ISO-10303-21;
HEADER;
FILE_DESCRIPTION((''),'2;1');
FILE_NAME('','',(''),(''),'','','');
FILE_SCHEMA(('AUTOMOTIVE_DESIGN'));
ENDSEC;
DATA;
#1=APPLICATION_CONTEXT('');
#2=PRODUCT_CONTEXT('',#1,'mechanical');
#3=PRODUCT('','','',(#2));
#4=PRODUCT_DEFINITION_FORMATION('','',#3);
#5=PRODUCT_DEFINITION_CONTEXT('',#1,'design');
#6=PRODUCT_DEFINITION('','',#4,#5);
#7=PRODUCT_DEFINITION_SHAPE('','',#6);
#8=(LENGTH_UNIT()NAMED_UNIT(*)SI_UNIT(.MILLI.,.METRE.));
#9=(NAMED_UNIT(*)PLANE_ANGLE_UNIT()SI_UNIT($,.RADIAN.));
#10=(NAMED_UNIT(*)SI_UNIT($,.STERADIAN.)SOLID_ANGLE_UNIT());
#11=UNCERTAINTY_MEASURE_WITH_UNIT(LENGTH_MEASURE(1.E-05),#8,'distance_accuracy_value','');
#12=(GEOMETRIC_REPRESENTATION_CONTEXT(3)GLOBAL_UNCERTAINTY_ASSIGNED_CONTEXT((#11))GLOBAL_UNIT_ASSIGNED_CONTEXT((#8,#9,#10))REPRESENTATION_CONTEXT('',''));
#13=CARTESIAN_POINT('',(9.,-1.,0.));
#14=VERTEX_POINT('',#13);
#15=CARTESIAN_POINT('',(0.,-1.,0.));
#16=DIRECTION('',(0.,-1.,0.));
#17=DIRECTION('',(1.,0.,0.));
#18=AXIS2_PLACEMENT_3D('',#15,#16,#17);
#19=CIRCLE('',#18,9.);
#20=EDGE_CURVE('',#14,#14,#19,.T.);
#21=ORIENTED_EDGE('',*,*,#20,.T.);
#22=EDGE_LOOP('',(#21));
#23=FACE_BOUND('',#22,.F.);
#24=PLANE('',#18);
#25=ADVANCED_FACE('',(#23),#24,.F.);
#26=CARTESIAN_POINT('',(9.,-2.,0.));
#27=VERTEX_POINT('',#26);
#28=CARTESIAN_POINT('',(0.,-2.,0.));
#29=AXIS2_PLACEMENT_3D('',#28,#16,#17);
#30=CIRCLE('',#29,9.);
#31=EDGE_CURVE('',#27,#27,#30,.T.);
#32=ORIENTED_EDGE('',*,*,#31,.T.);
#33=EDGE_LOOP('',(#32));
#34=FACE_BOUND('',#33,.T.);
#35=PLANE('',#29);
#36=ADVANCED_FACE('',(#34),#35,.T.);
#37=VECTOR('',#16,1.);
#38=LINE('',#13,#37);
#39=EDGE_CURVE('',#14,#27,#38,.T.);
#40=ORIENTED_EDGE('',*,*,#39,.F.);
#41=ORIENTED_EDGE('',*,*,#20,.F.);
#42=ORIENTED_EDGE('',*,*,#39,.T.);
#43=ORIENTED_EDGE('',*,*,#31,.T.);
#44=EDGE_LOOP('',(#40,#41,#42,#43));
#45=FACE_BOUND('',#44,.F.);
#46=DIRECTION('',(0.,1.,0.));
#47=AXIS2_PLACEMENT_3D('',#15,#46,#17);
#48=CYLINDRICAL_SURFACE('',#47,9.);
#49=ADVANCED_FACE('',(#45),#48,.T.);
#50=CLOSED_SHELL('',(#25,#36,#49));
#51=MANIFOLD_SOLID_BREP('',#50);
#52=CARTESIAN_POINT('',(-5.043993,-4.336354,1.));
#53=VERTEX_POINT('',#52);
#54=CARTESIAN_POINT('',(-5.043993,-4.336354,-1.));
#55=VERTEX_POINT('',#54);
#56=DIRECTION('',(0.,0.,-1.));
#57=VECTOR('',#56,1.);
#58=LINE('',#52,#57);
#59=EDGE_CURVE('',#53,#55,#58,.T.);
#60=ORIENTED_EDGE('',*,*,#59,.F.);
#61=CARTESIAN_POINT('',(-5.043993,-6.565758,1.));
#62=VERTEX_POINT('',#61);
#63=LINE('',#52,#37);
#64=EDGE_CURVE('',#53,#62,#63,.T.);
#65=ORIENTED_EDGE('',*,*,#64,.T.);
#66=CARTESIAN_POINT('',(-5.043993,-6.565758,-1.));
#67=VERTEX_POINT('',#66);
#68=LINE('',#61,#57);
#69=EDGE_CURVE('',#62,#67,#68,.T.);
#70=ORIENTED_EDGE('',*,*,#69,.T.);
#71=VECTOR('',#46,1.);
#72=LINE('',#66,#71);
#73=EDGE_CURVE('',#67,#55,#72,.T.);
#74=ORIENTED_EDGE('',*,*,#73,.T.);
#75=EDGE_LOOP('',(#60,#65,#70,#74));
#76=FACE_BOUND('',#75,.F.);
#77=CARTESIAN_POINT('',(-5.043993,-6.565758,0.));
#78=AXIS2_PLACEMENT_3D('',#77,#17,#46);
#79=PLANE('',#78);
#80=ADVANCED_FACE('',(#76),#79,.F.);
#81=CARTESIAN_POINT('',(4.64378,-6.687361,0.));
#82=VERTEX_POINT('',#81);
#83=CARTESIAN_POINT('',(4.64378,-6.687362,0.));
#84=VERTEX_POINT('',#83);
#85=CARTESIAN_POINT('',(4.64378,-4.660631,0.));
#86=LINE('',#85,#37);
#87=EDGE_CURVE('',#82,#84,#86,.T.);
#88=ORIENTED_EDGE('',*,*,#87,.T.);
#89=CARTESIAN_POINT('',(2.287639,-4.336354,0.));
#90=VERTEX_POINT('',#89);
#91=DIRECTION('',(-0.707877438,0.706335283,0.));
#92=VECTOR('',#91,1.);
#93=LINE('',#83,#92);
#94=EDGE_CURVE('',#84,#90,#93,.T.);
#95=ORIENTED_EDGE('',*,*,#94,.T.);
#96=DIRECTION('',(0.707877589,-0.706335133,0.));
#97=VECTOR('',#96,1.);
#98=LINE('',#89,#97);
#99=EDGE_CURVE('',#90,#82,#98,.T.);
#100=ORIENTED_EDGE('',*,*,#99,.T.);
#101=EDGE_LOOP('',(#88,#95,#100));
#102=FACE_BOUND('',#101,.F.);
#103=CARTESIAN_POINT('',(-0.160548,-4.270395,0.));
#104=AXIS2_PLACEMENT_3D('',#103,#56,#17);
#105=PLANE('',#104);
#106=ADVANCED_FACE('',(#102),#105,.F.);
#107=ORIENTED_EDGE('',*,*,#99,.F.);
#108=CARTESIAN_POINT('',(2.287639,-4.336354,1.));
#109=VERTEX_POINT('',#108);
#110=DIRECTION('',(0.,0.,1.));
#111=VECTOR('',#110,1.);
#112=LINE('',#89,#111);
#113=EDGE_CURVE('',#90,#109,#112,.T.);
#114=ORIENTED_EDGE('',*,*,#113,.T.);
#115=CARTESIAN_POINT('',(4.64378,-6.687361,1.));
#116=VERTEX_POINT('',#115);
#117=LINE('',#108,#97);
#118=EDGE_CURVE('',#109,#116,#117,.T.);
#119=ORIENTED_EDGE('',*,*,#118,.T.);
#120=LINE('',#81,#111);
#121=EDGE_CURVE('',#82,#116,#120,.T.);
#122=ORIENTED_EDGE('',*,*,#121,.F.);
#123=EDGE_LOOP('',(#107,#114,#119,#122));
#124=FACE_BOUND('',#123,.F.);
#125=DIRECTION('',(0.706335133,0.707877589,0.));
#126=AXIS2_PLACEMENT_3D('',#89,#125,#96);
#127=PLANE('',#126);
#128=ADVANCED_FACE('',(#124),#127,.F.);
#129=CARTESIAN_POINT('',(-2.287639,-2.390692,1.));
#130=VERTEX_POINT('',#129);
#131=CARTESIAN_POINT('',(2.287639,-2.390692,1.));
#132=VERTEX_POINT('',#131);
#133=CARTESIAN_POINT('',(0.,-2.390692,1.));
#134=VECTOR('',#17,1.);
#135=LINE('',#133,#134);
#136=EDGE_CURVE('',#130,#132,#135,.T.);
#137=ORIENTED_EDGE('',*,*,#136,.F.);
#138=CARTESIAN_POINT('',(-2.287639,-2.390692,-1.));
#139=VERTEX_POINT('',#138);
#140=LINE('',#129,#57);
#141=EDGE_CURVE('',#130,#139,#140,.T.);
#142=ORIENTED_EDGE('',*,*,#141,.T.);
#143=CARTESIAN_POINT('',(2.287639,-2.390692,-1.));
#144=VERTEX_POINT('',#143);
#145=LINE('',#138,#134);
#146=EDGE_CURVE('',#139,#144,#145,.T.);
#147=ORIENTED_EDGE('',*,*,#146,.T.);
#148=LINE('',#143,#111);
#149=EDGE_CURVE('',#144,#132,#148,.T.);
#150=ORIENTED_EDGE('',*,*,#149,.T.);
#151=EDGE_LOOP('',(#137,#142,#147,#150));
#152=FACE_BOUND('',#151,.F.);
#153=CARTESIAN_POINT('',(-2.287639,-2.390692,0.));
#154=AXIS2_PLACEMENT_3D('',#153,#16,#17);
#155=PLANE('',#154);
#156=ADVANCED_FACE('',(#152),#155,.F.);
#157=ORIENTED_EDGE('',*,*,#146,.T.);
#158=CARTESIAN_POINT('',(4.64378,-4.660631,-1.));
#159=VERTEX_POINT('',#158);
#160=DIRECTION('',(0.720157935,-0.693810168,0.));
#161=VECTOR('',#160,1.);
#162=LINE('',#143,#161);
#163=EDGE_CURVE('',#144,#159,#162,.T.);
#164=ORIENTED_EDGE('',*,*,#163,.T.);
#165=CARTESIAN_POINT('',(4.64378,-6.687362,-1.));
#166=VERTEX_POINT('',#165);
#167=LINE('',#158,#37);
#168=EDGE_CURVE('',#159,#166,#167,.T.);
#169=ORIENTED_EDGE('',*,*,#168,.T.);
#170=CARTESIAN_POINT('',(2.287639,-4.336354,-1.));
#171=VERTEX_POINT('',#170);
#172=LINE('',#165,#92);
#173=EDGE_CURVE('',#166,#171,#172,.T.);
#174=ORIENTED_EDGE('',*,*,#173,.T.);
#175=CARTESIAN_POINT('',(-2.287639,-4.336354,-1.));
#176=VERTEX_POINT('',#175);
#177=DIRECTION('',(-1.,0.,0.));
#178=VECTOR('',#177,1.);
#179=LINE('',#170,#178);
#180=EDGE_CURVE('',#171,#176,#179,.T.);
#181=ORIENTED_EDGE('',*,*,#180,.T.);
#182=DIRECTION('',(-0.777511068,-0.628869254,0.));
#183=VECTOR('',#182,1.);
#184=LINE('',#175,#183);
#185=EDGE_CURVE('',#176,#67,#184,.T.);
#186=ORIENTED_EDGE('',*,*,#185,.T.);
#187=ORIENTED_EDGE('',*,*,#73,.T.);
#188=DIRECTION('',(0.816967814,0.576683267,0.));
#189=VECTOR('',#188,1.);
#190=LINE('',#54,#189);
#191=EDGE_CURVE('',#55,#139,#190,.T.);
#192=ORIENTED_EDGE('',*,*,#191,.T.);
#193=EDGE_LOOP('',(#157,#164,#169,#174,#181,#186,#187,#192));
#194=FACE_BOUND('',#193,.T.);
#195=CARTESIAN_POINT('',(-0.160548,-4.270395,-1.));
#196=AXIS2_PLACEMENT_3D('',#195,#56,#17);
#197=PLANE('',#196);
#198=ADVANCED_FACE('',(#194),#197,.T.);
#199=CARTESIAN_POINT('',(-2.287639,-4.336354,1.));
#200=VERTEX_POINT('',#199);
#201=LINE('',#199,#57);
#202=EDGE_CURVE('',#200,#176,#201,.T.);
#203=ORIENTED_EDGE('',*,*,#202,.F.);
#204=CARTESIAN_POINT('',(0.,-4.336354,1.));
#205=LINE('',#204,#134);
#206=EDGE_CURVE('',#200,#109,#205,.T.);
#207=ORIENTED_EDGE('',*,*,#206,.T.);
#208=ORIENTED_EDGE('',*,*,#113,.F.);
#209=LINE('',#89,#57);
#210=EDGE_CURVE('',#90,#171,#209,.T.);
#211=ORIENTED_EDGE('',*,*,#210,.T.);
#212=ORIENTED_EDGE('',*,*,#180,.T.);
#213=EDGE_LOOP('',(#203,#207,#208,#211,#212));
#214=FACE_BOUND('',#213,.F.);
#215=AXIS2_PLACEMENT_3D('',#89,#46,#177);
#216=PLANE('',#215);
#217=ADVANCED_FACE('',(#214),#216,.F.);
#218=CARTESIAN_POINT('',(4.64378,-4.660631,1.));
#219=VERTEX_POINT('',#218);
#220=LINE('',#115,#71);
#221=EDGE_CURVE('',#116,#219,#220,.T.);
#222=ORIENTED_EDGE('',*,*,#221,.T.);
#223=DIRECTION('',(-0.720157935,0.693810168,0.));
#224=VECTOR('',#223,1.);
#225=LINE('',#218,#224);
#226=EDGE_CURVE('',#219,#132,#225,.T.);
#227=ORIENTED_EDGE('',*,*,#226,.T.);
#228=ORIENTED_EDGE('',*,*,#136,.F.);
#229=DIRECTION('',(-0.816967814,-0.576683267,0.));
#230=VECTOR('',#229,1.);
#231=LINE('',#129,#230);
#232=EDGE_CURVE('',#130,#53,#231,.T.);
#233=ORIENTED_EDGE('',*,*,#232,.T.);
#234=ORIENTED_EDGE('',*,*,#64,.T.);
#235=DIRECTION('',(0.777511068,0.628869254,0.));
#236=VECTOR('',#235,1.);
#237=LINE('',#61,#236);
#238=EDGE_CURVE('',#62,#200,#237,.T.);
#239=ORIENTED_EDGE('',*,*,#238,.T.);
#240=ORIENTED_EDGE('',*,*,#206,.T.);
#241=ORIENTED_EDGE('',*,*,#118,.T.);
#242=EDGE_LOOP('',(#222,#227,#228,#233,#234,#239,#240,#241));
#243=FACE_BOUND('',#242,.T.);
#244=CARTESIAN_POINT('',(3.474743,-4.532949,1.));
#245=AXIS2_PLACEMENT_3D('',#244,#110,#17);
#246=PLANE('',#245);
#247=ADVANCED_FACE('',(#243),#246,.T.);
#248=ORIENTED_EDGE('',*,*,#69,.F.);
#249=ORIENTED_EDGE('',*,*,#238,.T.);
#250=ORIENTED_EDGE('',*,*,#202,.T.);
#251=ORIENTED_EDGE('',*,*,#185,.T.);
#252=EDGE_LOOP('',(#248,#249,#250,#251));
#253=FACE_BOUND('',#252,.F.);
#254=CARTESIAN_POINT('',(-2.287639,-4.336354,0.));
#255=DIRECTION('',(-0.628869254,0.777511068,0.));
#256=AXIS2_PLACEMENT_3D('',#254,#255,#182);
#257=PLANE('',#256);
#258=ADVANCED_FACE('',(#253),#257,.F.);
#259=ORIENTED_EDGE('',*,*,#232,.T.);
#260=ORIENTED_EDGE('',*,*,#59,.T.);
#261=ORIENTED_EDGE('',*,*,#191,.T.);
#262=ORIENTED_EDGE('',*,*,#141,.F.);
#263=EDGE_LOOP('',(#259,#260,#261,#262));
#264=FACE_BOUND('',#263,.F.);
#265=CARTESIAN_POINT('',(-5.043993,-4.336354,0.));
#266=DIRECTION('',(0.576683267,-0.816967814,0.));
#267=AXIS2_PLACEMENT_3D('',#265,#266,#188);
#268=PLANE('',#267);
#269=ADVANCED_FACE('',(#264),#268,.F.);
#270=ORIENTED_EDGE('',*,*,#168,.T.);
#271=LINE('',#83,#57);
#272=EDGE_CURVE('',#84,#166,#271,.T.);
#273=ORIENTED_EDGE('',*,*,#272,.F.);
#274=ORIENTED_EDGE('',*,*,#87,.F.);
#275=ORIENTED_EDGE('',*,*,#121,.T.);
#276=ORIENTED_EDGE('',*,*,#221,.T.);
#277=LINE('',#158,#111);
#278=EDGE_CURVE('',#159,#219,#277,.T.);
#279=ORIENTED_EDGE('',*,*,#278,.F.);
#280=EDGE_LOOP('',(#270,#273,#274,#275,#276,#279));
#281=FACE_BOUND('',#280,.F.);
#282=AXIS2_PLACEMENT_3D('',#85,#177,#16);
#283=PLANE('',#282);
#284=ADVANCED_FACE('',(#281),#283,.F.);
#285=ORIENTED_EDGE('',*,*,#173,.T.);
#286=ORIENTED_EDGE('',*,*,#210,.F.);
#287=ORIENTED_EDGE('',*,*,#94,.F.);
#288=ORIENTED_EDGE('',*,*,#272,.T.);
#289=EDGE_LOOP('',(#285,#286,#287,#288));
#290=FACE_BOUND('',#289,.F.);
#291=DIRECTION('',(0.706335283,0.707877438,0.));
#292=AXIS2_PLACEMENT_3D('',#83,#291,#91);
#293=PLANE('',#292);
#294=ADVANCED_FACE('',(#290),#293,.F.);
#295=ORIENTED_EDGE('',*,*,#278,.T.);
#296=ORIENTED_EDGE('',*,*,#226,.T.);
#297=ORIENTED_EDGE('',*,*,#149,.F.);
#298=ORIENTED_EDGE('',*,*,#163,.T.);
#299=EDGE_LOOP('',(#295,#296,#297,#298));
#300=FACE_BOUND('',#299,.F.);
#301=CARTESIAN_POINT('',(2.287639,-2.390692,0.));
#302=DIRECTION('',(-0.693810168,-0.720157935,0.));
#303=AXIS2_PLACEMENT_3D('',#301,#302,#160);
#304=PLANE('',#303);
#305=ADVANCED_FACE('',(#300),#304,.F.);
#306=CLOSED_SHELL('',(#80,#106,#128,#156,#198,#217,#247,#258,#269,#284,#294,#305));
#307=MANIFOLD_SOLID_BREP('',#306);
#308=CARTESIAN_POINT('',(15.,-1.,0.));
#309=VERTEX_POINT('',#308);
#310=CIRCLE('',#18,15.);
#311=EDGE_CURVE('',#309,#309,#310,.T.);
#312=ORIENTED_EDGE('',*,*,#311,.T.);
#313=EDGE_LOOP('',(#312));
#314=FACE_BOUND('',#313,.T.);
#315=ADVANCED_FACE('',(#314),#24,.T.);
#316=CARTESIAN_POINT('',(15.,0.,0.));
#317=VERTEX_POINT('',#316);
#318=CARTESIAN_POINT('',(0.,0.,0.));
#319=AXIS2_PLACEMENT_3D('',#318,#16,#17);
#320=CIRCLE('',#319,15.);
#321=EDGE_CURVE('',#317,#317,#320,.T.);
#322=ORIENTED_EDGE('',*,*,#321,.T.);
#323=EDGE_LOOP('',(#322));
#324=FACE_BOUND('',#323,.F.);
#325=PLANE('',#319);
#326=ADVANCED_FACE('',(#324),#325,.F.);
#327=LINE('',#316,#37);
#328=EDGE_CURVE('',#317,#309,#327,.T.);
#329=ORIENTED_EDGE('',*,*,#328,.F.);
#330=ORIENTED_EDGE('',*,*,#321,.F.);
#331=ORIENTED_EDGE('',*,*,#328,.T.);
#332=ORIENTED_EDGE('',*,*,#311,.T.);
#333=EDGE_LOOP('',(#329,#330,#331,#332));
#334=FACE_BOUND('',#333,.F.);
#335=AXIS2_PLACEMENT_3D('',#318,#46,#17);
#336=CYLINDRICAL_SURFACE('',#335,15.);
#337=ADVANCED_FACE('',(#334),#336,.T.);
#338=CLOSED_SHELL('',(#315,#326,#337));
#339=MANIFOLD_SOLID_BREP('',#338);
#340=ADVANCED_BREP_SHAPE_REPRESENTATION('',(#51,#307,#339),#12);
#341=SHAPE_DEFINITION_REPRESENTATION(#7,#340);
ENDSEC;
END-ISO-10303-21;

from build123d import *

# Parameters (mm, degrees)
F0_R     = 15
F1_DEPTH = 1
F2_R     = 9
F3_DEPTH = 1
F4_W     = 4.575278
F4_H     = 1.945662
F5_DEPTH = 1
F6_DEPTH = 1


with BuildPart() as f1:
    # F0 (on Front) → F1 (new body)
    with BuildSketch(Plane.XZ):
        Circle(F0_R)
    extrude(amount=F1_DEPTH)


with BuildPart() as f3:
    # F2 (on face) → F3 (new body)
    with BuildSketch(Plane.XZ.offset(1)):
        Circle(F2_R)
    extrude(amount=F3_DEPTH)


with BuildPart() as f5:
    # F4 (on Top) → F5 (new body)
    with BuildSketch(Plane.XY):
        Polygon((2.287639, -2.390692), (2.287639, -4.336354), (4.64378, -6.687361), (4.64378, -4.660631), align=None)
        with Locations((0, -3.363523)):
            Rectangle(F4_W, F4_H)
        Polygon((-5.043993, -6.565758), (-2.287639, -4.336354), (-2.287639, -2.390692), (-5.043993, -4.336354), align=None)
    extrude(amount=F5_DEPTH)

    # F5_face (on face) → F6 (join)
    with BuildSketch(Plane(origin=(-0.259442, -3.962668, 0), x_dir=(1, 0, 0), z_dir=(0, 0, -1))):
        Polygon((4.903222, 2.724694), (2.547081, 0.373686), (-2.028197, 0.373686), (-4.784551, 2.60309), (-4.784551, 0.373686), (-2.028197, -1.571976), (2.547081, -1.571976), (4.903222, 0.697963), align=None)
    extrude(amount=F6_DEPTH)


solid = Compound([f1.part, f3.part, f5.part])
